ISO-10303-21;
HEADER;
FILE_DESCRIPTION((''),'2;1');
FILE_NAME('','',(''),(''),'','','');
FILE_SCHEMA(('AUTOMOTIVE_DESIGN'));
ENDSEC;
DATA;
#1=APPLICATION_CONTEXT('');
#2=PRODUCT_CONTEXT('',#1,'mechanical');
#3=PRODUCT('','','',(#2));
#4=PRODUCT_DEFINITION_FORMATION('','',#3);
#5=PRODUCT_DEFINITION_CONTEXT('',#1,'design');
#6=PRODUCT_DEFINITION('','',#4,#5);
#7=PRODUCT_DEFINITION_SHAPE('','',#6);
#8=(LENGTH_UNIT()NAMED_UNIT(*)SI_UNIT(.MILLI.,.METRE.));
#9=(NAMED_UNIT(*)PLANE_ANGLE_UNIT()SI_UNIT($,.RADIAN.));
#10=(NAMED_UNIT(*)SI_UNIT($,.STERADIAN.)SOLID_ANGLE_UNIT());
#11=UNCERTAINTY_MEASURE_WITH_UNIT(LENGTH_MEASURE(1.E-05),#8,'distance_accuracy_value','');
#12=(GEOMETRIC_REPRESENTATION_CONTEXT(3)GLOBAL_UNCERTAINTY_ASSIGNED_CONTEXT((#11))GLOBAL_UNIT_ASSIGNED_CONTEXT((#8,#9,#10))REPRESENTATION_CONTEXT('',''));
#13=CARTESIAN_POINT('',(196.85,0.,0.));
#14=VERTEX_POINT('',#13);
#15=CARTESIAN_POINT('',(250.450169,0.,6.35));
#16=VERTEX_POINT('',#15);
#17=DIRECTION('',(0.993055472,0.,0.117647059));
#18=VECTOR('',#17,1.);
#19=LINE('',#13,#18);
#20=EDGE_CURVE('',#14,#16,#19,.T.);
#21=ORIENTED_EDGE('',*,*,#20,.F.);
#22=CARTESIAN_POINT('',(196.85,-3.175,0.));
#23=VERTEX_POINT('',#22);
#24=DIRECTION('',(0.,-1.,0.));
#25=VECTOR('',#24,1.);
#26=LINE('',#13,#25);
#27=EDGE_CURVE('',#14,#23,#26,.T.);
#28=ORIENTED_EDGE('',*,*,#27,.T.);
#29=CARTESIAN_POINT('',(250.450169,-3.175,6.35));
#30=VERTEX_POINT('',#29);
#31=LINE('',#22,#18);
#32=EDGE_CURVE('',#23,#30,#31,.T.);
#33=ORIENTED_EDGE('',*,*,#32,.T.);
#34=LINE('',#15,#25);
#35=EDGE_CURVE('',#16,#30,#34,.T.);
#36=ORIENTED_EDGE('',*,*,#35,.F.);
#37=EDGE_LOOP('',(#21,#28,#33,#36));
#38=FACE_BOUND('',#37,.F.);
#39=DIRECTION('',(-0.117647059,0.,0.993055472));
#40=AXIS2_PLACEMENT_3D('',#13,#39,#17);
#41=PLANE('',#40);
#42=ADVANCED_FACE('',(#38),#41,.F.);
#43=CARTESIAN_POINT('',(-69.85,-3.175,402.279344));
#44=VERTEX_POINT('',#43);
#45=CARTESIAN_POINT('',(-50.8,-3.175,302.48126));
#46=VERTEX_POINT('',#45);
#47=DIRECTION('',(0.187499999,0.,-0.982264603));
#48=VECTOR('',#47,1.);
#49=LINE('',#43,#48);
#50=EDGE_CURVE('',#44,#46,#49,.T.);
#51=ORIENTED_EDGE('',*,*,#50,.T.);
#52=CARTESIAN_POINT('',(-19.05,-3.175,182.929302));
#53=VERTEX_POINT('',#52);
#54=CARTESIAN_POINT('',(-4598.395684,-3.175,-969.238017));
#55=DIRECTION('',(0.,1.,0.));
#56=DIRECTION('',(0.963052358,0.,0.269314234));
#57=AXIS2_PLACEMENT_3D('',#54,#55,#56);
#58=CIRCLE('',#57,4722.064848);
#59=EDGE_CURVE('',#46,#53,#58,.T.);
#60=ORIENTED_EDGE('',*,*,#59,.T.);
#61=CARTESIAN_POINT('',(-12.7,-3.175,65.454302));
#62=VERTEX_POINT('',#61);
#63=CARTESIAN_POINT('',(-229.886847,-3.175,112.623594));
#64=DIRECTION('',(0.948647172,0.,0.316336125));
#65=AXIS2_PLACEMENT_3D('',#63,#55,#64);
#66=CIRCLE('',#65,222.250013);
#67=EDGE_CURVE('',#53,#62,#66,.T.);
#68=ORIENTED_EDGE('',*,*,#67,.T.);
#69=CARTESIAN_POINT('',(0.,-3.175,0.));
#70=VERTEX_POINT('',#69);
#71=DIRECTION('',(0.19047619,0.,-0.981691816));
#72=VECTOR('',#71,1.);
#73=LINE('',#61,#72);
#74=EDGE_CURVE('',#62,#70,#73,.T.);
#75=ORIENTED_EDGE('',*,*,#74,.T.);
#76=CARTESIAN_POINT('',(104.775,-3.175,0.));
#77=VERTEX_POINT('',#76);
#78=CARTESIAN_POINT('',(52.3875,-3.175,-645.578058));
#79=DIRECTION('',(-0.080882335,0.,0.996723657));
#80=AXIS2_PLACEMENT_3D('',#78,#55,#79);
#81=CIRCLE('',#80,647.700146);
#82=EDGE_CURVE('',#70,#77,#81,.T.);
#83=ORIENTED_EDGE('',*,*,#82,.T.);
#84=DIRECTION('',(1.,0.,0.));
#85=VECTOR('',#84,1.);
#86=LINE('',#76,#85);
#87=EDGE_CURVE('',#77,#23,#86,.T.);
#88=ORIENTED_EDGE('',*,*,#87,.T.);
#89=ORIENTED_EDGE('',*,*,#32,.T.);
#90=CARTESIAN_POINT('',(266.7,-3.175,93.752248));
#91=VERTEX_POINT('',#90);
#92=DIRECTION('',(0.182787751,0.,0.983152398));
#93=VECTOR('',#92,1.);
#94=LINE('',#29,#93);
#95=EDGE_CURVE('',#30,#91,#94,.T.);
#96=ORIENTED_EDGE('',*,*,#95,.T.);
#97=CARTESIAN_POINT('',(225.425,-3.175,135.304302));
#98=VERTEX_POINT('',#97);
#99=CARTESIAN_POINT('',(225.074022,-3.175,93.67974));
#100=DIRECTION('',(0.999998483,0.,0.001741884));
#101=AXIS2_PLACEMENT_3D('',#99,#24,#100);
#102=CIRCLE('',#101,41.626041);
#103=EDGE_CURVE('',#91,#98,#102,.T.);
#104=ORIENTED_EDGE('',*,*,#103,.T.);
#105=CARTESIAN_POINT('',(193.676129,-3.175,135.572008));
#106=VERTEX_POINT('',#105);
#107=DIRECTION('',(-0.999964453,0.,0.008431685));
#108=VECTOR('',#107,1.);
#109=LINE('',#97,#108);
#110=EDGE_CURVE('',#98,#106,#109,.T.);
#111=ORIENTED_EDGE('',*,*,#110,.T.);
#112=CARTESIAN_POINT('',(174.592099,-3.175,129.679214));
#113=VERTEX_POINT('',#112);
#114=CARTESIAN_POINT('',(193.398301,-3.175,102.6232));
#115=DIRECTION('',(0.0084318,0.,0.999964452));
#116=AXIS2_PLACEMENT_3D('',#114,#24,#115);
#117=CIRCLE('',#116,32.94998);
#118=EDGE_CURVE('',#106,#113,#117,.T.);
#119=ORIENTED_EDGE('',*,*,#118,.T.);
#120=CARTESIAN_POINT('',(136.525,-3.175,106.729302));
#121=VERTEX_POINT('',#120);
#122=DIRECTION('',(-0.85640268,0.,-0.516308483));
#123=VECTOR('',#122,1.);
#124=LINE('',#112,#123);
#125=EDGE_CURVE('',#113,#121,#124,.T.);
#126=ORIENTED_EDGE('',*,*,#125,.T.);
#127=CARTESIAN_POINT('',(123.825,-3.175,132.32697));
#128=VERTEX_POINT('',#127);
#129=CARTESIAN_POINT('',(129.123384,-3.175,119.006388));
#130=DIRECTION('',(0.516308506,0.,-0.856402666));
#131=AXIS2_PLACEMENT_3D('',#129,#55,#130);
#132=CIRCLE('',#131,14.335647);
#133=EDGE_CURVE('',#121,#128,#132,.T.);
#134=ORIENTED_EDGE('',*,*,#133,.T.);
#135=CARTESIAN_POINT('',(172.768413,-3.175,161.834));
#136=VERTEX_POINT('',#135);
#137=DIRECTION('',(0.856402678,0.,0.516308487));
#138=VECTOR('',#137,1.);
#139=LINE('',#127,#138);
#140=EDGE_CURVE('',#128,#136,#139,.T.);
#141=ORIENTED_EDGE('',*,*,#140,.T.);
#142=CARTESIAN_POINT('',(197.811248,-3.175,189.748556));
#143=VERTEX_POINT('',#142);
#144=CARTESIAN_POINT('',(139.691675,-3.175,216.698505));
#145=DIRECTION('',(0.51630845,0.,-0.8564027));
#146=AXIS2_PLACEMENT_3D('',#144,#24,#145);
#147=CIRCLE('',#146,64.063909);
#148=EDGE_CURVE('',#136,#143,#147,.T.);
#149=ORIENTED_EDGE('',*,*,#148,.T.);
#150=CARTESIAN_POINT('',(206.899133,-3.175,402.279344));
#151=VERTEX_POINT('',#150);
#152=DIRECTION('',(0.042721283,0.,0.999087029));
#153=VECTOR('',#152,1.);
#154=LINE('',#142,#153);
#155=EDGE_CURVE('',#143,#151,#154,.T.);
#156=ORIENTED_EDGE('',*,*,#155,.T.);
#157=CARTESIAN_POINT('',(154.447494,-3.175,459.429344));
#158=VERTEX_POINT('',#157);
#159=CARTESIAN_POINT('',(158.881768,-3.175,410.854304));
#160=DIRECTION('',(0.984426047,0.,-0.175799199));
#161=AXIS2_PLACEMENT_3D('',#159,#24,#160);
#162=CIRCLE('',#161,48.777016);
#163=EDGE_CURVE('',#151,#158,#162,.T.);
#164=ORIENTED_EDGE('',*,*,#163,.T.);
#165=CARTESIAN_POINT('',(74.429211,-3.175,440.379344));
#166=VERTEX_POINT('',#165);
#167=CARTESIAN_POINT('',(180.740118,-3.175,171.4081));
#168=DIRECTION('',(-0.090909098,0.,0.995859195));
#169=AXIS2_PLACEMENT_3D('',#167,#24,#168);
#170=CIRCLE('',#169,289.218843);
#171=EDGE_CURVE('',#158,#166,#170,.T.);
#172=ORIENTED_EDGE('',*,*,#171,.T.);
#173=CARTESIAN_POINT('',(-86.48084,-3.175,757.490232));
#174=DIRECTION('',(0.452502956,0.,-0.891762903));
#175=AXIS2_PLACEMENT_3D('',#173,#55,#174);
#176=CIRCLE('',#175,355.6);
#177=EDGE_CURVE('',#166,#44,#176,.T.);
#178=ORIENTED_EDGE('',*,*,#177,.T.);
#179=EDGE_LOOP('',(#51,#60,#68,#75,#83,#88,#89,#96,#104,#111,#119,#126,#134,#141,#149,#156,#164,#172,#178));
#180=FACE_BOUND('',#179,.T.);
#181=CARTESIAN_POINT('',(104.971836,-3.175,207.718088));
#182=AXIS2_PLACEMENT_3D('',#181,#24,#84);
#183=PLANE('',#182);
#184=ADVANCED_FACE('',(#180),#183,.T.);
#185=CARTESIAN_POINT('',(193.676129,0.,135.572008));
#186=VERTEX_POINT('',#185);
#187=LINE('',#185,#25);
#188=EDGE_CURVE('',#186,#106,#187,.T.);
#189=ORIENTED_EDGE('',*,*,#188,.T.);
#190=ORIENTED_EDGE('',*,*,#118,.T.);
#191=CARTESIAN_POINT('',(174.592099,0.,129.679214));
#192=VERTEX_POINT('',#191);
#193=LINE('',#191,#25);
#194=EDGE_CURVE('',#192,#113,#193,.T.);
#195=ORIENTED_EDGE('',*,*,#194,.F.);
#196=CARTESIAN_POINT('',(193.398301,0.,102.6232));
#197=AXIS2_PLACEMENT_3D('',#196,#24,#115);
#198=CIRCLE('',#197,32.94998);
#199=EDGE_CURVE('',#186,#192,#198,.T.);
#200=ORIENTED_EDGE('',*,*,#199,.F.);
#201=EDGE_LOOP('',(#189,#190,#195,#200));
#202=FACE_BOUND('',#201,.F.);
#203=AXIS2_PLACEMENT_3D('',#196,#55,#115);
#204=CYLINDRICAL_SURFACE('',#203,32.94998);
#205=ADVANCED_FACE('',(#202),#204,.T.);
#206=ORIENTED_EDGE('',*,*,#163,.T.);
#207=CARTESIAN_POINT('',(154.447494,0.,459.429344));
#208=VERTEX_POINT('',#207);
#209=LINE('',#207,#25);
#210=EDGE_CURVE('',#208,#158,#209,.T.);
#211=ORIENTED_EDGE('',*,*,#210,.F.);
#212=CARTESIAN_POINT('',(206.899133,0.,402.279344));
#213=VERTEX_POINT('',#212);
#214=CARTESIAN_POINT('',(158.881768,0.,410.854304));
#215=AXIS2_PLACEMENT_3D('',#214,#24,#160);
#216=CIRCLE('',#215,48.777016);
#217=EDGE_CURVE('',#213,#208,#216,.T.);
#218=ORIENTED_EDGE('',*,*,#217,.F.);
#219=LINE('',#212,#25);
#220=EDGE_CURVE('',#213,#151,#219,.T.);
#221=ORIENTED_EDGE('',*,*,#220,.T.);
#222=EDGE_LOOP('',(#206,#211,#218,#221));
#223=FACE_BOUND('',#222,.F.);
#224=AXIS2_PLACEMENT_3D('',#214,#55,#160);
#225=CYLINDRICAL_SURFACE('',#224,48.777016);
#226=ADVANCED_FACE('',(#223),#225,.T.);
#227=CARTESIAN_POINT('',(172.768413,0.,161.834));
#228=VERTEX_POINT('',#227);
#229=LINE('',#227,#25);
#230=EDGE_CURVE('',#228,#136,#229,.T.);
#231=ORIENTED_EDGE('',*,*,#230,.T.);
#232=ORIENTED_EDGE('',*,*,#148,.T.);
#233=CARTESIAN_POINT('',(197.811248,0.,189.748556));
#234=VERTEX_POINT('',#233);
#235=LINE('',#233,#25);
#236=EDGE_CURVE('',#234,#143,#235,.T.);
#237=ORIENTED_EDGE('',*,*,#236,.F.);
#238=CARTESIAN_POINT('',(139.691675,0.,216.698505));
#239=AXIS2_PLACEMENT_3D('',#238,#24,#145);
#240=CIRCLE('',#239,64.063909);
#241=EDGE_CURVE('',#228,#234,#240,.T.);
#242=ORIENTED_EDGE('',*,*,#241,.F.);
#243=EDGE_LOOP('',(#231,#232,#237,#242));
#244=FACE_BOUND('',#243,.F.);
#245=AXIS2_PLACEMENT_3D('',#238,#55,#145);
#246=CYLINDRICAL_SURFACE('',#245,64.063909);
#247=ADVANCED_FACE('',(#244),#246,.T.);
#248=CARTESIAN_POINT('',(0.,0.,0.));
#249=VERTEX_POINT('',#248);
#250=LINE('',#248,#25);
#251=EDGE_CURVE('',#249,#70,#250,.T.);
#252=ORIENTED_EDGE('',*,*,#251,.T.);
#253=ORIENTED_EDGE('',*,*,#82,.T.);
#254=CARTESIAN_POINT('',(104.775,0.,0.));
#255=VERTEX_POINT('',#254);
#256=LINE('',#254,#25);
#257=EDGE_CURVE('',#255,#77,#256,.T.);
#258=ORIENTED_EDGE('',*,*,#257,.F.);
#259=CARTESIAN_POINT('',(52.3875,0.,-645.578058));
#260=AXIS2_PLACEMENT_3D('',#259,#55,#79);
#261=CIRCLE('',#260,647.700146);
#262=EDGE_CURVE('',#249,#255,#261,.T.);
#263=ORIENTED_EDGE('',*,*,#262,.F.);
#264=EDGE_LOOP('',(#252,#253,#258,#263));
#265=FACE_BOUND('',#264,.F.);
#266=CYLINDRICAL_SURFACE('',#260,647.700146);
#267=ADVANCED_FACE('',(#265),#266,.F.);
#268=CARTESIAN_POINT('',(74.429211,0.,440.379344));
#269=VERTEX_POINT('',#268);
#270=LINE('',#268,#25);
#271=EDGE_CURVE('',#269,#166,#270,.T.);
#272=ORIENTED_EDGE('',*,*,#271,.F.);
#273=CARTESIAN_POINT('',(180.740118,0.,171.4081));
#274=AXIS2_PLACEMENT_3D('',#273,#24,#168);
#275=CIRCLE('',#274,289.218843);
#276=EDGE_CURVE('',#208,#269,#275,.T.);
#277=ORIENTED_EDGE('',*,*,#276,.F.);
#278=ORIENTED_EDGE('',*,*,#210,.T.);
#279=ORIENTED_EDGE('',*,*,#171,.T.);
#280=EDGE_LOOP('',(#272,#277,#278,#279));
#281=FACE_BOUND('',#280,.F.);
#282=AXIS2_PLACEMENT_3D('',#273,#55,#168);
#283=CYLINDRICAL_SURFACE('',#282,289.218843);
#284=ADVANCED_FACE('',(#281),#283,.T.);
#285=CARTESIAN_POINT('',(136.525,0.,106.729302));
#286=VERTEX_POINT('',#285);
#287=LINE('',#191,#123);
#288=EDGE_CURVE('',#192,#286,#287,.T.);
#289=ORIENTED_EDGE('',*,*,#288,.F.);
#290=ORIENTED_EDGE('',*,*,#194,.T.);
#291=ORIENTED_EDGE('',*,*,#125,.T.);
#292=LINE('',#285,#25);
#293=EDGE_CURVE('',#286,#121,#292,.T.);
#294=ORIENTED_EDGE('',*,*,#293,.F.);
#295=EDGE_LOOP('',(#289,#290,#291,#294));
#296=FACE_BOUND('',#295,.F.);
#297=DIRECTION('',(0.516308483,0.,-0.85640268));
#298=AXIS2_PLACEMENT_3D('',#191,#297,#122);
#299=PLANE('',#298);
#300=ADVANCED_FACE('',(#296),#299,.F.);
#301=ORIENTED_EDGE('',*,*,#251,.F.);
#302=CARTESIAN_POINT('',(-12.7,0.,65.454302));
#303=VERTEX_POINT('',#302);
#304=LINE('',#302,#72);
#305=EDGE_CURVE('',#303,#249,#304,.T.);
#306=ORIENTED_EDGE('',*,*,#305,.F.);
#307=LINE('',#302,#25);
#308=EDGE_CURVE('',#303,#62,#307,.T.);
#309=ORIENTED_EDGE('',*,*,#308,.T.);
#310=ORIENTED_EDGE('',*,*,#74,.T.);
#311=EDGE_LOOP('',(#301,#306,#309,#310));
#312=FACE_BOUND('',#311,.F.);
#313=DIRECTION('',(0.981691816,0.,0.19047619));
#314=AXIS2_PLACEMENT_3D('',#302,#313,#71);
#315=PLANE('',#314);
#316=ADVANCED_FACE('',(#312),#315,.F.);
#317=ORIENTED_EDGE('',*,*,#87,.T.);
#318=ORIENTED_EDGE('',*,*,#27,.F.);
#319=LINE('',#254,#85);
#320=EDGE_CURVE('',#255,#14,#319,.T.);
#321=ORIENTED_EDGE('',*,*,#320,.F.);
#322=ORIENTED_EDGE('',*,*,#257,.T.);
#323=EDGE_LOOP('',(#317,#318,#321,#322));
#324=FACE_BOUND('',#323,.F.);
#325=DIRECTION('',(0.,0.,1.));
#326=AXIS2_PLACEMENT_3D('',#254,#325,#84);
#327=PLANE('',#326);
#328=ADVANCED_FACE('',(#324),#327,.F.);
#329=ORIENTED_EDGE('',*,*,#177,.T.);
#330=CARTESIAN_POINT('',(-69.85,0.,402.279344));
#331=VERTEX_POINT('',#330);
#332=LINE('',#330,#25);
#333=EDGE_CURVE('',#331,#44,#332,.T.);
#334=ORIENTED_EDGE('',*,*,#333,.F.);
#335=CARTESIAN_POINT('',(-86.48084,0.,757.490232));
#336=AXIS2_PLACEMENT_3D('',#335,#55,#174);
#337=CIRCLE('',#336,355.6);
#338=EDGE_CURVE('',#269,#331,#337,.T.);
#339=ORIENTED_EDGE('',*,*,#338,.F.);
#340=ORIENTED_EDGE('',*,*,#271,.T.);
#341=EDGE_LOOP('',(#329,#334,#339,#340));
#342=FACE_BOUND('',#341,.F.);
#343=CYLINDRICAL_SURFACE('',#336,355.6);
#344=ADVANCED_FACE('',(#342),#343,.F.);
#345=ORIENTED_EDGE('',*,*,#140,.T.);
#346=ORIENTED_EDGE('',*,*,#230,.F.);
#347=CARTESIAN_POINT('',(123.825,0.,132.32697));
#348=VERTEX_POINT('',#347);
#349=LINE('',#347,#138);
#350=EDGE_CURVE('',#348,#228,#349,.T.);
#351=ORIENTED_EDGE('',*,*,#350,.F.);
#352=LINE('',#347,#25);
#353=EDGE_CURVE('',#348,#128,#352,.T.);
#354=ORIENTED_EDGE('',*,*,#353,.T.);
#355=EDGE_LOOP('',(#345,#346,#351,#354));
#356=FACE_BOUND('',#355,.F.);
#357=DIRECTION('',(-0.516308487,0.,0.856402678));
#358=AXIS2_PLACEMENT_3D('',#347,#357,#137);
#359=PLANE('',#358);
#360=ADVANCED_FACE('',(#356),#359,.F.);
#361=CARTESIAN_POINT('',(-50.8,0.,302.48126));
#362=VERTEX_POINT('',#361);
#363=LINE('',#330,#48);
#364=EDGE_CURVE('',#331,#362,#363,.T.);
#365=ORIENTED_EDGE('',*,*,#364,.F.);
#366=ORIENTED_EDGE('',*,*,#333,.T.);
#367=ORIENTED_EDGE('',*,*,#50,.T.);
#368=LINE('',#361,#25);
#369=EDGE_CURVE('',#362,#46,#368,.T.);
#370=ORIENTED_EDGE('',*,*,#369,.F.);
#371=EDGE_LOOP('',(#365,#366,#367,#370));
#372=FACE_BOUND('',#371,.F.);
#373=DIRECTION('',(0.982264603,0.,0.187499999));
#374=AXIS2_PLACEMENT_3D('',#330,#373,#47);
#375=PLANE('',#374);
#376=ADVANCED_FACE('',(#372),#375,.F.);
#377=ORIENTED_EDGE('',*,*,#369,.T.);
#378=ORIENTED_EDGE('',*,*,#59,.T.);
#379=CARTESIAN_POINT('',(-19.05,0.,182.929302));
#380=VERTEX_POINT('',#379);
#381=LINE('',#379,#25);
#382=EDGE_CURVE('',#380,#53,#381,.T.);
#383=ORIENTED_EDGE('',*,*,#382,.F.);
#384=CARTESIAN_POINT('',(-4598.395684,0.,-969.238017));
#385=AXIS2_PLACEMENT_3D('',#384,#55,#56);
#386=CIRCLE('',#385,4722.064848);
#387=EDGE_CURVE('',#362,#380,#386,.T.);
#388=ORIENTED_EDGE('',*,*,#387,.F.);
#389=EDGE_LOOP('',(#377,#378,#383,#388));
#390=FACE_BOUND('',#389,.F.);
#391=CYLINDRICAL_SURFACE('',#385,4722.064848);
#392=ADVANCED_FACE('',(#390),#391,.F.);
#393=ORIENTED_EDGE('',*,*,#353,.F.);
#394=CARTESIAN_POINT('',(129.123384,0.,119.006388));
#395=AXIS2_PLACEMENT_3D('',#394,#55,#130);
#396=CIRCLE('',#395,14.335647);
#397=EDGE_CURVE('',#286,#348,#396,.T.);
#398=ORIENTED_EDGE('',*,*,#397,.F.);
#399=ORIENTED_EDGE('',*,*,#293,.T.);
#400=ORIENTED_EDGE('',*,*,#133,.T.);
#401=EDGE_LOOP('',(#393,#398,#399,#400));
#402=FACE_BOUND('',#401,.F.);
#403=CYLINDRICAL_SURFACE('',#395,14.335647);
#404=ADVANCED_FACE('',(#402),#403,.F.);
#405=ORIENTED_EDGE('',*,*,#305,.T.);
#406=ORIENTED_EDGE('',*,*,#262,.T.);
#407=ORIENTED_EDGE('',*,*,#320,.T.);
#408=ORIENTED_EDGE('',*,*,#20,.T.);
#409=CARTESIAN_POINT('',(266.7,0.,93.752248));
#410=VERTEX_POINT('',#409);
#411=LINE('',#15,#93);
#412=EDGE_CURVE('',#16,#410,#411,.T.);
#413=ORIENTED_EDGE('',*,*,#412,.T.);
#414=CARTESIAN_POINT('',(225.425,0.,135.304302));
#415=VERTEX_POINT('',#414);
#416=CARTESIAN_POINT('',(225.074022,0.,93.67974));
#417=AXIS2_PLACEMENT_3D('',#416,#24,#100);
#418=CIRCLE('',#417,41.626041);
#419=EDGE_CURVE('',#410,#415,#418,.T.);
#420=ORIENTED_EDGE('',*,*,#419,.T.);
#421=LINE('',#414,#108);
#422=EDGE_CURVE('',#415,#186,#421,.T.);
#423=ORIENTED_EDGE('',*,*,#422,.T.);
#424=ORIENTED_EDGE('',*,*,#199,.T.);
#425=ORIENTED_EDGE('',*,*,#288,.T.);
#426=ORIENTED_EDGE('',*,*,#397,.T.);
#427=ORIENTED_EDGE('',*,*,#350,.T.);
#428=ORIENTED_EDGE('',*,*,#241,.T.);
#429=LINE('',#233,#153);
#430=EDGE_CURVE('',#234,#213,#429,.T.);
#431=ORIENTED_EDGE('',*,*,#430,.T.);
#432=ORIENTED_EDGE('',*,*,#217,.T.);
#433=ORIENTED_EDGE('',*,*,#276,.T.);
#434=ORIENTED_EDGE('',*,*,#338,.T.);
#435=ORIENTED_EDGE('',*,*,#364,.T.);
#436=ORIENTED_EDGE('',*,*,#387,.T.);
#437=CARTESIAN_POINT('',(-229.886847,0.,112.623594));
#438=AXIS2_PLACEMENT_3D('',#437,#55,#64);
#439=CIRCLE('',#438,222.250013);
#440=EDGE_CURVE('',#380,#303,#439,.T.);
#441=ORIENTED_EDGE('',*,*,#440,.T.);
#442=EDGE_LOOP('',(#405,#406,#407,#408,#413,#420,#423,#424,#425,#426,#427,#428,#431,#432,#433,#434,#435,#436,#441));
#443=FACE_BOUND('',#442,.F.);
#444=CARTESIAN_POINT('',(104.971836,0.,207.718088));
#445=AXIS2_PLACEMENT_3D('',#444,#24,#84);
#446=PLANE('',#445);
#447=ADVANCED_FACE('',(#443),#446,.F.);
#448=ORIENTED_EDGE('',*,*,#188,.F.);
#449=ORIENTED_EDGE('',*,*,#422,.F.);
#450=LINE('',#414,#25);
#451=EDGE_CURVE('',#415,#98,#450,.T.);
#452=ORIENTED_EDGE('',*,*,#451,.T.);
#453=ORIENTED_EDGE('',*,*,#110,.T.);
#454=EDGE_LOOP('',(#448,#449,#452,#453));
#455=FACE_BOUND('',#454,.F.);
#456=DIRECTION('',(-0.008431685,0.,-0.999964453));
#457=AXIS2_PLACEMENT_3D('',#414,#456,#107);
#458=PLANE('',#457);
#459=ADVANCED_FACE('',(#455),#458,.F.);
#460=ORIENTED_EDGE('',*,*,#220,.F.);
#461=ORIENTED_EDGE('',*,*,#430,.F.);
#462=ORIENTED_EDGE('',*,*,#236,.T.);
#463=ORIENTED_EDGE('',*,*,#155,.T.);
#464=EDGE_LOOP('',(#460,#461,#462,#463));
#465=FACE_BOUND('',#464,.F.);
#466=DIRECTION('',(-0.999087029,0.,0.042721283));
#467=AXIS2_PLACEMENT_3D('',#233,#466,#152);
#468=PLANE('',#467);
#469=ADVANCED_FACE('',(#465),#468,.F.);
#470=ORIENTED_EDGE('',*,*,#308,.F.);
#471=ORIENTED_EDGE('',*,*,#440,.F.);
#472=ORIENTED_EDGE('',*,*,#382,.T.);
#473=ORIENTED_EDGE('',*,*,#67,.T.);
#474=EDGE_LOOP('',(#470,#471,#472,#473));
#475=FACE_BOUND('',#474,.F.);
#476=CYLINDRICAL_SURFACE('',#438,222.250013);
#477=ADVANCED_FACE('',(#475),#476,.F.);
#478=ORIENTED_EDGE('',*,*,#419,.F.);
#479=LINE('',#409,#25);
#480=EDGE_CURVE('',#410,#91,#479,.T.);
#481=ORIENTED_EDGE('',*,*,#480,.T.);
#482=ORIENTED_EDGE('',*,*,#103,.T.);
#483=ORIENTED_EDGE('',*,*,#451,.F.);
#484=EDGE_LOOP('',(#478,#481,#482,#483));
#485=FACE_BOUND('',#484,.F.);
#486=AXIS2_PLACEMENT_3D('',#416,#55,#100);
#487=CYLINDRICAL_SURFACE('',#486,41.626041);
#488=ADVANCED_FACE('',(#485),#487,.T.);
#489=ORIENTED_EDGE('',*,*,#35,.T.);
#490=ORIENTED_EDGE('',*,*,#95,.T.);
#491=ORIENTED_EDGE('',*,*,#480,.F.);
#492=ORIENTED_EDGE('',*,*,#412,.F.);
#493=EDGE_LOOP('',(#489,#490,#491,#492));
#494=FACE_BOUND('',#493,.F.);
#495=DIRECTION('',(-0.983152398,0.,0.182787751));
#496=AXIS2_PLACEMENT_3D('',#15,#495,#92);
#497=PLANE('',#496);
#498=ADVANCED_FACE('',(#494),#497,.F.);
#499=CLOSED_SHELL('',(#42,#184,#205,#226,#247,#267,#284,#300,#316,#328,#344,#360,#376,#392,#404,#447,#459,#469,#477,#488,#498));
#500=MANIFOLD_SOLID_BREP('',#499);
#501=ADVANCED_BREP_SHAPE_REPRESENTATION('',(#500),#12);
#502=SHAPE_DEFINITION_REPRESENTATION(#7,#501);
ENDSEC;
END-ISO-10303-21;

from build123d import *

# Parameters (mm, degrees)
F1_DEPTH = 3.175


with BuildPart() as f1:
    # F0 (on Front) → F1 (new body)
    with BuildSketch(Plane.XZ):
        with BuildLine():
            ThreePointArc((0, 0), (52.3875, 2.122088), (104.775, 0))
            Line((104.775, 0), (196.85, 0))
            Line((196.85, 0), (250.450169, 6.35))
            Line((250.450169, 6.35), (266.7, 93.752248))
            ThreePointArc((266.7, 93.752248), (254.606369, 123.015176), (225.425, 135.304302))
            Line((225.425, 135.304302), (193.676129, 135.572008))
            ThreePointArc((193.676129, 135.572008), (183.67686, 134.106445), (174.592099, 129.679214))
            Line((174.592099, 129.679214), (136.525, 106.729302))
            ThreePointArc((136.525, 106.729302), (116.281419, 112.63499), (123.825, 132.32697))
            Line((123.825, 132.32697), (172.768413, 161.834))
            ThreePointArc((172.768413, 161.834), (187.378124, 173.917819), (197.811248, 189.748556))
            Line((197.811248, 189.748556), (206.899133, 402.279344))
            ThreePointArc((206.899133, 402.279344), (194.817851, 443.836045), (154.447494, 459.429344))
            ThreePointArc((154.447494, 459.429344), (113.757659, 452.76355), (74.429211, 440.379344))
            ThreePointArc((74.429211, 440.379344), (4.310649, 413.675943), (-69.85, 402.279344))
            Line((-69.85, 402.279344), (-50.8, 302.48126))
            ThreePointArc((-50.8, 302.48126), (-34.53352, 242.809248), (-19.05, 182.929302))
            ThreePointArc((-19.05, 182.929302), (-7.960813, 124.619596), (-12.7, 65.454302))
            Line((-12.7, 65.454302), (0, 0))
        make_face()
    extrude(amount=F1_DEPTH)


solid = f1.part
